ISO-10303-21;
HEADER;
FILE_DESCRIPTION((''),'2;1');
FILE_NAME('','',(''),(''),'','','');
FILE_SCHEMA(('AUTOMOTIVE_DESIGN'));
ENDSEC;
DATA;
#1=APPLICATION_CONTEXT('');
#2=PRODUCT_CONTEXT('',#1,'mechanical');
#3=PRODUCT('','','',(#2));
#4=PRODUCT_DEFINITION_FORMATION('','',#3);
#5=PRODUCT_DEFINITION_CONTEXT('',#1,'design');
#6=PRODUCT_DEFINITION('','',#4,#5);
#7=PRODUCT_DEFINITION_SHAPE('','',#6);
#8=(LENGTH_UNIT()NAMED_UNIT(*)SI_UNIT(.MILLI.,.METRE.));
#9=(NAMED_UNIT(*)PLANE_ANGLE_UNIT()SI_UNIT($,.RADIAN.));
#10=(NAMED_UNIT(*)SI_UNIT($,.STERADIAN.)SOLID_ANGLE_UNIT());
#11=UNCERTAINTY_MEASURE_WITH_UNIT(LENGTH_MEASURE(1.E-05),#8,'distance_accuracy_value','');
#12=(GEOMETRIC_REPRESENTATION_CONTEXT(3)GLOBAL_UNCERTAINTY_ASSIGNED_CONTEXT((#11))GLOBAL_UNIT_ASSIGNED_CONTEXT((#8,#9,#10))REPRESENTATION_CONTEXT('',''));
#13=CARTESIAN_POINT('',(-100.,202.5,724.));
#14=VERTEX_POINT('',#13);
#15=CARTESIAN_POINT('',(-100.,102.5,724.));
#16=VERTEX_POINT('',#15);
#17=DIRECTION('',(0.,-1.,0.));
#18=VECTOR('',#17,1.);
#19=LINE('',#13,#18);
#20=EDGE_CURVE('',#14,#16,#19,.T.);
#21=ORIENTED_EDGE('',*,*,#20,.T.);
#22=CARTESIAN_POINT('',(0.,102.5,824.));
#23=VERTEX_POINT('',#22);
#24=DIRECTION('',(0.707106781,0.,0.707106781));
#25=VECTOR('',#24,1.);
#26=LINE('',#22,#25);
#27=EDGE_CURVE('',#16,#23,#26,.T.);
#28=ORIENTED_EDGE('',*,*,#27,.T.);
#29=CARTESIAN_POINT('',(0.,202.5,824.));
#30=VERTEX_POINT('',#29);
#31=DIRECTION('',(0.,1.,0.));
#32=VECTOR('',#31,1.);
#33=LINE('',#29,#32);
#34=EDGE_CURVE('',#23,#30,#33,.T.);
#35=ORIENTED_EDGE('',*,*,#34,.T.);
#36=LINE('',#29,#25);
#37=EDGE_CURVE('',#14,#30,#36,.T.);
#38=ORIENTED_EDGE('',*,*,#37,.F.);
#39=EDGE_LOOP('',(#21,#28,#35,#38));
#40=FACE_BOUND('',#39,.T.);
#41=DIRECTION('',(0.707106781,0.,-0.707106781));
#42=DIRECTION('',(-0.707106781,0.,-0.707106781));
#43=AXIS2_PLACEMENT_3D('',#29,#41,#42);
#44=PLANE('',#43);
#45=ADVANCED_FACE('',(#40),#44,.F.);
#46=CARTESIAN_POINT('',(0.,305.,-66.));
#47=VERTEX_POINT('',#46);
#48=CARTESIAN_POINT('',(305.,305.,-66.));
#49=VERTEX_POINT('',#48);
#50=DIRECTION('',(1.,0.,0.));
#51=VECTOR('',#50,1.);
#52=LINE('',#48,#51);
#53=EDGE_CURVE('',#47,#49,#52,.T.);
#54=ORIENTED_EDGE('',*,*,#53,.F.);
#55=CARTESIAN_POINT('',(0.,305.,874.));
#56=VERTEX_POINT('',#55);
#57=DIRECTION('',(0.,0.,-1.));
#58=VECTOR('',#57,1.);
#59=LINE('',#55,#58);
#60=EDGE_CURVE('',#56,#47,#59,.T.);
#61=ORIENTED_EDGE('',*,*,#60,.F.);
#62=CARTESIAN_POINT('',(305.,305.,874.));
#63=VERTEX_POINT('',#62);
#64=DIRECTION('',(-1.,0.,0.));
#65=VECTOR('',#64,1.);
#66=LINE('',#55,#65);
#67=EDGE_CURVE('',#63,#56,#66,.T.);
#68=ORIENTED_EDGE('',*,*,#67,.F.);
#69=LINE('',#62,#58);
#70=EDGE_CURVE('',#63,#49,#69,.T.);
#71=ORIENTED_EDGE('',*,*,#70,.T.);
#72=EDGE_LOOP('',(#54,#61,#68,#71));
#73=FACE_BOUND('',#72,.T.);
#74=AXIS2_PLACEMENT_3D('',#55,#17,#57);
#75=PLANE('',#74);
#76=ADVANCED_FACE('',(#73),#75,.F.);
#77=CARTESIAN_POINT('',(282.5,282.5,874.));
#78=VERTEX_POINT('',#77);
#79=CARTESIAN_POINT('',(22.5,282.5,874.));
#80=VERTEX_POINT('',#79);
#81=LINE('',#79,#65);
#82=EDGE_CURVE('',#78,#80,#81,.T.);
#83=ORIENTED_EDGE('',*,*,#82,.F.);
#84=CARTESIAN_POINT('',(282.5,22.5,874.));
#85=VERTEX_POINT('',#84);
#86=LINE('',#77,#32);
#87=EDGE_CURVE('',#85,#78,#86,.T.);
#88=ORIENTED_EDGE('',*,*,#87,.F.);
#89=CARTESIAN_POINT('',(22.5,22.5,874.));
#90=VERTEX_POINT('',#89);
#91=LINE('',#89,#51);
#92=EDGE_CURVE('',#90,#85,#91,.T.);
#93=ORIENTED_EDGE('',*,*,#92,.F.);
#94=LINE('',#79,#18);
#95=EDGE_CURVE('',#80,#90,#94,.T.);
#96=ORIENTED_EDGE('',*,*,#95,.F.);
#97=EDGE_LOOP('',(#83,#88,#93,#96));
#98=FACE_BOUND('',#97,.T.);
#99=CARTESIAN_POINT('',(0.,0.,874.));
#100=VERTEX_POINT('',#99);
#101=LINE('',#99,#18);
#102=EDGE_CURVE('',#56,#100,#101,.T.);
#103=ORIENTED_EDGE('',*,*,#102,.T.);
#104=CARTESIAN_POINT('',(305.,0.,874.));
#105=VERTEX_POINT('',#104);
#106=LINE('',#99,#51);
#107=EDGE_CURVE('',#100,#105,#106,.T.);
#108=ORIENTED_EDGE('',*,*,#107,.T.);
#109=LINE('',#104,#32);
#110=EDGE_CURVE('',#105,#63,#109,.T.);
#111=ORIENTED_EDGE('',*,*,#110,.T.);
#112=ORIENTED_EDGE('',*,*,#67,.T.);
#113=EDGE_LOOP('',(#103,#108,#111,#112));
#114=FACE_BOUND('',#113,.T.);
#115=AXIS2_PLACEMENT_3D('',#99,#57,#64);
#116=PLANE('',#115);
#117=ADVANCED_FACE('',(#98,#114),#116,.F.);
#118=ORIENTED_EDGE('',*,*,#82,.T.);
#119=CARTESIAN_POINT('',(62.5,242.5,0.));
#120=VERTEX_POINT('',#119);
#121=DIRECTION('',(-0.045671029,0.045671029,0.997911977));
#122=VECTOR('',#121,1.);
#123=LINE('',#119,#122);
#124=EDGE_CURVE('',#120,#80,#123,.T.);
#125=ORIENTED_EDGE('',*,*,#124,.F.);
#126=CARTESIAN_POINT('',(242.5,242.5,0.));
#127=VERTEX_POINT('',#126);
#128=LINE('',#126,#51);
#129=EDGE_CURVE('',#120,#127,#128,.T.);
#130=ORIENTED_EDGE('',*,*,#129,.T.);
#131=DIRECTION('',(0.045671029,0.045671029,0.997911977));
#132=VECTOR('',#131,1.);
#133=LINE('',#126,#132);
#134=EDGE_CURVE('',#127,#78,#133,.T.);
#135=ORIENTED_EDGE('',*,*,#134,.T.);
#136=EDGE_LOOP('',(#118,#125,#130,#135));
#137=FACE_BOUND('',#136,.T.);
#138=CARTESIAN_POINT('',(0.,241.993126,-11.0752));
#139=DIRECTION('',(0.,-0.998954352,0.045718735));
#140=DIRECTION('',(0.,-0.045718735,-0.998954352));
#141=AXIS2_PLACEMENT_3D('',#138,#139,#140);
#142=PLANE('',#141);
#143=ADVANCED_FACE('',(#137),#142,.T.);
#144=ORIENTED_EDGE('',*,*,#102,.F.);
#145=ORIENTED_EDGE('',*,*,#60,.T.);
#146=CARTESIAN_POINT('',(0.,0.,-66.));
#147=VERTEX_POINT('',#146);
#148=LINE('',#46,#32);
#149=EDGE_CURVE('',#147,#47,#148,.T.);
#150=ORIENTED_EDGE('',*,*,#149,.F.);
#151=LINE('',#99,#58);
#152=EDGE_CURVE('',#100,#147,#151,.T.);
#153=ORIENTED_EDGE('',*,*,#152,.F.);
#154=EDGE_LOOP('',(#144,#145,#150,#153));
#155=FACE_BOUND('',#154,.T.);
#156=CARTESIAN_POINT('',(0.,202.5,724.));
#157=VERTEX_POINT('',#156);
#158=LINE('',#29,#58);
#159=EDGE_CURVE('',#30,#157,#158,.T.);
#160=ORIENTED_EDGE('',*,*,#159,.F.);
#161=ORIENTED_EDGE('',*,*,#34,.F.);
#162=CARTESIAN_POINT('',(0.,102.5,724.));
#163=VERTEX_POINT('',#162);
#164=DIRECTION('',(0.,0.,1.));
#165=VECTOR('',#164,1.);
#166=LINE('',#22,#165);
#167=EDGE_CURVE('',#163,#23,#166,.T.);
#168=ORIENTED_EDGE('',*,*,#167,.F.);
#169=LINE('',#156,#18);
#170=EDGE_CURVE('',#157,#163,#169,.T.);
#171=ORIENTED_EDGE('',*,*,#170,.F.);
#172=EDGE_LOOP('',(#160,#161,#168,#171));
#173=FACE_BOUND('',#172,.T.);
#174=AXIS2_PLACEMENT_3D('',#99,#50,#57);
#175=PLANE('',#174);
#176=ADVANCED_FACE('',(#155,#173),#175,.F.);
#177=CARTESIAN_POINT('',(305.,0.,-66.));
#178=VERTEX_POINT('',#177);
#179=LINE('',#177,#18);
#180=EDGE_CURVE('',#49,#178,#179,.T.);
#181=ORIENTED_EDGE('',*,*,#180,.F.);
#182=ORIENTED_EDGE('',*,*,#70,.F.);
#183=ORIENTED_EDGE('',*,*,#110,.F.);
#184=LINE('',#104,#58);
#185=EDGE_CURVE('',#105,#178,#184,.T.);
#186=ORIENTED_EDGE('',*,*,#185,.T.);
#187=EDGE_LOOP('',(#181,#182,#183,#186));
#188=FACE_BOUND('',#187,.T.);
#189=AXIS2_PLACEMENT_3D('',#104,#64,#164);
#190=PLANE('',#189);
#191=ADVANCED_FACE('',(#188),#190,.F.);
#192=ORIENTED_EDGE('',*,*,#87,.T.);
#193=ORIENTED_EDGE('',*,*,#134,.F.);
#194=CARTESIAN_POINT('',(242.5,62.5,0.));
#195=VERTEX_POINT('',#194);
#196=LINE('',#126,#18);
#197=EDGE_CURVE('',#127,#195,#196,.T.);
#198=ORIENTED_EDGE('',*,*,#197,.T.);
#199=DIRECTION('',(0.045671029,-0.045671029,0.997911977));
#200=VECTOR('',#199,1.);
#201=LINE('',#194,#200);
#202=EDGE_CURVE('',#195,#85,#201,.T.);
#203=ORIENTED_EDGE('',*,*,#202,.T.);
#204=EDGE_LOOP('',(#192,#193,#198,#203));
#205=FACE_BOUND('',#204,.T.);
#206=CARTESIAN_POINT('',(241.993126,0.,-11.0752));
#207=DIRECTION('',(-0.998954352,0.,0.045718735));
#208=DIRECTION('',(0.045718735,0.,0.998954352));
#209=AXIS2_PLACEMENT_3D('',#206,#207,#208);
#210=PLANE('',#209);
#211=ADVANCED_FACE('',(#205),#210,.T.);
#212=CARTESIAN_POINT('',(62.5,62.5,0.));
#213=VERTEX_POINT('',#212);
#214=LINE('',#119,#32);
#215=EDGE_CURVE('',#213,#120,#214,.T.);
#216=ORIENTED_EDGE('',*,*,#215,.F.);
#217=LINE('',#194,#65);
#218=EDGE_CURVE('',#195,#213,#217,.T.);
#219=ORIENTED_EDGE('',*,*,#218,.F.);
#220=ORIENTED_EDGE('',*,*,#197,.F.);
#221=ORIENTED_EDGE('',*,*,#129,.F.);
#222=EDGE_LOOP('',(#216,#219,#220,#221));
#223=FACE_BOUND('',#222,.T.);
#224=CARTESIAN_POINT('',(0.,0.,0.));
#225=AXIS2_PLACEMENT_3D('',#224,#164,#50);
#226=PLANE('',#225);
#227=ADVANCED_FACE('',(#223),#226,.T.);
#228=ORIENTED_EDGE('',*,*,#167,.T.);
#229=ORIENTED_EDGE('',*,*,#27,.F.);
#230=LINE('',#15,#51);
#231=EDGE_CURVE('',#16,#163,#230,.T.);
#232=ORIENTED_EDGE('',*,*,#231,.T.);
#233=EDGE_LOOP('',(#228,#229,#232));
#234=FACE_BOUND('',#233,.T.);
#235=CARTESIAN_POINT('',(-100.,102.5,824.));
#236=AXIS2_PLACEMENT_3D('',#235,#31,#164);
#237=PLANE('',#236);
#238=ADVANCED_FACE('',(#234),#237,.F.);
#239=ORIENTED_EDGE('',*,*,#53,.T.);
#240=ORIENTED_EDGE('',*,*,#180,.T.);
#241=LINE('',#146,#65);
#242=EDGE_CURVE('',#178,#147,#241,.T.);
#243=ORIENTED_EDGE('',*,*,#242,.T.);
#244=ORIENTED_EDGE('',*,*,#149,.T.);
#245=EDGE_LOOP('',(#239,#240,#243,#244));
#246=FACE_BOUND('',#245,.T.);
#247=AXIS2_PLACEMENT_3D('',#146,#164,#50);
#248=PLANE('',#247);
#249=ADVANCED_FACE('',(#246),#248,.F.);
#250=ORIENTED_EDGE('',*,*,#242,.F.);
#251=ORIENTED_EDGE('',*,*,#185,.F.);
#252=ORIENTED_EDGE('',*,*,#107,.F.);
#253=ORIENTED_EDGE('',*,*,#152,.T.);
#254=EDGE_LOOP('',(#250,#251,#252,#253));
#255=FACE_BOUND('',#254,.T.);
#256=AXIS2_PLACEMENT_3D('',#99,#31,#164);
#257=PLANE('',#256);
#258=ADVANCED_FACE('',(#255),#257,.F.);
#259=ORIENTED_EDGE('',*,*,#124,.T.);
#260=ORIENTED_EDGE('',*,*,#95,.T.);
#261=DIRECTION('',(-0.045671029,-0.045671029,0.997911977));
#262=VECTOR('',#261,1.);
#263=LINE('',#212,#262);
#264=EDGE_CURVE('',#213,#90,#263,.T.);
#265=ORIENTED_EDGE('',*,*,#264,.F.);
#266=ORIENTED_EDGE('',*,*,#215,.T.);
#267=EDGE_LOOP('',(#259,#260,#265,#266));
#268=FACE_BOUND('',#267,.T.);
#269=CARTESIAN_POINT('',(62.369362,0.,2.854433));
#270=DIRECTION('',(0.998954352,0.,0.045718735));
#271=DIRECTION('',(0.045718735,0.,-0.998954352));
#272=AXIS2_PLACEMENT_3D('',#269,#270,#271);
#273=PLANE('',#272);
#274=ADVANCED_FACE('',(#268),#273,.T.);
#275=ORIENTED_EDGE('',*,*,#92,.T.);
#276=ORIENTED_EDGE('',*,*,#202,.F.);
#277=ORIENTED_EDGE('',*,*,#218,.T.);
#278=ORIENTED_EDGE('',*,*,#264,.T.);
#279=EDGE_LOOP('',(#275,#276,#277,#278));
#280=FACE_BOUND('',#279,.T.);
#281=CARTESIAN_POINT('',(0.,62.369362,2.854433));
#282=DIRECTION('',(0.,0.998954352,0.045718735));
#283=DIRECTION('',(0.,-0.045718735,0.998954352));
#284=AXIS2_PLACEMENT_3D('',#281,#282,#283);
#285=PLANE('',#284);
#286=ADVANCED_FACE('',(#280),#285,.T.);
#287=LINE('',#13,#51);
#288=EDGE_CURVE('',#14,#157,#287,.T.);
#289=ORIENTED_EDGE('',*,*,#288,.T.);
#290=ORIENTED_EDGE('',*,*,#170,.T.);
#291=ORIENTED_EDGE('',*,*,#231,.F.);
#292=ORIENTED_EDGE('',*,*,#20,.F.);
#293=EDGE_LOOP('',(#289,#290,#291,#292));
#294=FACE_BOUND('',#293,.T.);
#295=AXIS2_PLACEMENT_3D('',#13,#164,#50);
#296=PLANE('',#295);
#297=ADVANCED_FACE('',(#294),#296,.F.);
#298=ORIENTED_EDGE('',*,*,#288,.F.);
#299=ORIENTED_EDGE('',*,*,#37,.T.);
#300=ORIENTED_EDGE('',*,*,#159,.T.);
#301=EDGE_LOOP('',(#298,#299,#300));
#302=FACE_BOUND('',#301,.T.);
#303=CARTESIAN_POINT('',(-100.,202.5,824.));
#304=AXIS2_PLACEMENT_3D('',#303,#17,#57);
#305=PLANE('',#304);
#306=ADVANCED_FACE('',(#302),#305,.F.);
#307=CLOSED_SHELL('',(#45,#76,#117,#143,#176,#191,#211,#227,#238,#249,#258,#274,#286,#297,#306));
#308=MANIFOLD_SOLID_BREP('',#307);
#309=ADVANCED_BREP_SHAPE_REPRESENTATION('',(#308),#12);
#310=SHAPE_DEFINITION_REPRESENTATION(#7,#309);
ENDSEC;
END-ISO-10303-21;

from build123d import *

# Parameters (mm, degrees)
SKETCH1_W           = 305
SKETCH1_H           = 305
BOSS_EXTRUDE2_DEPTH = 874
SKETCH3_W           = 100
SKETCH3_H           = 100
BOSS_EXTRUDE4_DEPTH = 100
CUT_EXTRUDE3_DEPTH  = 100
SKETCH8_W           = 305
SKETCH8_H           = 305
BOSS_EXTRUDE5_DEPTH = 66


with BuildPart() as part:
    # Sketch1 → Boss-Extrude2 (new body)
    with BuildSketch(Plane.XY):
        with Locations((152.5, 152.5)):
            Rectangle(SKETCH1_W, SKETCH1_H)
    extrude(amount=BOSS_EXTRUDE2_DEPTH)

    # Sketch3 → Boss-Extrude4 (add)
    with BuildSketch(Plane.ZY):
        with Locations((774, 152.5)):
            Rectangle(SKETCH3_W, SKETCH3_H)
    extrude(amount=BOSS_EXTRUDE4_DEPTH)

    # Sketch5 → Cut-Extrude3 (cut)
    with BuildSketch(Plane.XZ.offset(-102.5)):
        Polygon((-100, 824), (0, 824), (-100, 724), align=None)
    extrude(amount=-CUT_EXTRUDE3_DEPTH, mode=Mode.SUBTRACT)

    # Sketch2 → Cut-Loft2 section 0
    with BuildSketch(Plane(origin=(0, 0, 0), x_dir=(-1, 0, 0), z_dir=(0, 0, -1))):
        with BuildLine():
            Line((-242.5, 242.5), (-62.5, 242.5))
            Line((-62.5, 242.5), (-62.5, 62.5))
            Line((-62.5, 62.5), (-242.5, 62.5))
            Line((-242.5, 62.5), (-242.5, 242.5))
        make_face()
    # Sketch6 → Cut-Loft2 section 1
    with BuildSketch(Plane.XY.offset(874)):
        with BuildLine():
            Line((22.5, 282.5), (282.5, 282.5))
            Line((282.5, 282.5), (282.5, 22.5))
            Line((282.5, 22.5), (22.5, 22.5))
            Line((22.5, 22.5), (22.5, 282.5))
        make_face()
    loft(mode=Mode.SUBTRACT)

    # Sketch8 → Boss-Extrude5 (add)
    with BuildSketch(Plane(origin=(0, 0, 0), x_dir=(-1, 0, 0), z_dir=(0, 0, -1))):
        with Locations((-152.5, 152.5)):
            Rectangle(SKETCH8_W, SKETCH8_H)
    extrude(amount=BOSS_EXTRUDE5_DEPTH)


solid = part.part
